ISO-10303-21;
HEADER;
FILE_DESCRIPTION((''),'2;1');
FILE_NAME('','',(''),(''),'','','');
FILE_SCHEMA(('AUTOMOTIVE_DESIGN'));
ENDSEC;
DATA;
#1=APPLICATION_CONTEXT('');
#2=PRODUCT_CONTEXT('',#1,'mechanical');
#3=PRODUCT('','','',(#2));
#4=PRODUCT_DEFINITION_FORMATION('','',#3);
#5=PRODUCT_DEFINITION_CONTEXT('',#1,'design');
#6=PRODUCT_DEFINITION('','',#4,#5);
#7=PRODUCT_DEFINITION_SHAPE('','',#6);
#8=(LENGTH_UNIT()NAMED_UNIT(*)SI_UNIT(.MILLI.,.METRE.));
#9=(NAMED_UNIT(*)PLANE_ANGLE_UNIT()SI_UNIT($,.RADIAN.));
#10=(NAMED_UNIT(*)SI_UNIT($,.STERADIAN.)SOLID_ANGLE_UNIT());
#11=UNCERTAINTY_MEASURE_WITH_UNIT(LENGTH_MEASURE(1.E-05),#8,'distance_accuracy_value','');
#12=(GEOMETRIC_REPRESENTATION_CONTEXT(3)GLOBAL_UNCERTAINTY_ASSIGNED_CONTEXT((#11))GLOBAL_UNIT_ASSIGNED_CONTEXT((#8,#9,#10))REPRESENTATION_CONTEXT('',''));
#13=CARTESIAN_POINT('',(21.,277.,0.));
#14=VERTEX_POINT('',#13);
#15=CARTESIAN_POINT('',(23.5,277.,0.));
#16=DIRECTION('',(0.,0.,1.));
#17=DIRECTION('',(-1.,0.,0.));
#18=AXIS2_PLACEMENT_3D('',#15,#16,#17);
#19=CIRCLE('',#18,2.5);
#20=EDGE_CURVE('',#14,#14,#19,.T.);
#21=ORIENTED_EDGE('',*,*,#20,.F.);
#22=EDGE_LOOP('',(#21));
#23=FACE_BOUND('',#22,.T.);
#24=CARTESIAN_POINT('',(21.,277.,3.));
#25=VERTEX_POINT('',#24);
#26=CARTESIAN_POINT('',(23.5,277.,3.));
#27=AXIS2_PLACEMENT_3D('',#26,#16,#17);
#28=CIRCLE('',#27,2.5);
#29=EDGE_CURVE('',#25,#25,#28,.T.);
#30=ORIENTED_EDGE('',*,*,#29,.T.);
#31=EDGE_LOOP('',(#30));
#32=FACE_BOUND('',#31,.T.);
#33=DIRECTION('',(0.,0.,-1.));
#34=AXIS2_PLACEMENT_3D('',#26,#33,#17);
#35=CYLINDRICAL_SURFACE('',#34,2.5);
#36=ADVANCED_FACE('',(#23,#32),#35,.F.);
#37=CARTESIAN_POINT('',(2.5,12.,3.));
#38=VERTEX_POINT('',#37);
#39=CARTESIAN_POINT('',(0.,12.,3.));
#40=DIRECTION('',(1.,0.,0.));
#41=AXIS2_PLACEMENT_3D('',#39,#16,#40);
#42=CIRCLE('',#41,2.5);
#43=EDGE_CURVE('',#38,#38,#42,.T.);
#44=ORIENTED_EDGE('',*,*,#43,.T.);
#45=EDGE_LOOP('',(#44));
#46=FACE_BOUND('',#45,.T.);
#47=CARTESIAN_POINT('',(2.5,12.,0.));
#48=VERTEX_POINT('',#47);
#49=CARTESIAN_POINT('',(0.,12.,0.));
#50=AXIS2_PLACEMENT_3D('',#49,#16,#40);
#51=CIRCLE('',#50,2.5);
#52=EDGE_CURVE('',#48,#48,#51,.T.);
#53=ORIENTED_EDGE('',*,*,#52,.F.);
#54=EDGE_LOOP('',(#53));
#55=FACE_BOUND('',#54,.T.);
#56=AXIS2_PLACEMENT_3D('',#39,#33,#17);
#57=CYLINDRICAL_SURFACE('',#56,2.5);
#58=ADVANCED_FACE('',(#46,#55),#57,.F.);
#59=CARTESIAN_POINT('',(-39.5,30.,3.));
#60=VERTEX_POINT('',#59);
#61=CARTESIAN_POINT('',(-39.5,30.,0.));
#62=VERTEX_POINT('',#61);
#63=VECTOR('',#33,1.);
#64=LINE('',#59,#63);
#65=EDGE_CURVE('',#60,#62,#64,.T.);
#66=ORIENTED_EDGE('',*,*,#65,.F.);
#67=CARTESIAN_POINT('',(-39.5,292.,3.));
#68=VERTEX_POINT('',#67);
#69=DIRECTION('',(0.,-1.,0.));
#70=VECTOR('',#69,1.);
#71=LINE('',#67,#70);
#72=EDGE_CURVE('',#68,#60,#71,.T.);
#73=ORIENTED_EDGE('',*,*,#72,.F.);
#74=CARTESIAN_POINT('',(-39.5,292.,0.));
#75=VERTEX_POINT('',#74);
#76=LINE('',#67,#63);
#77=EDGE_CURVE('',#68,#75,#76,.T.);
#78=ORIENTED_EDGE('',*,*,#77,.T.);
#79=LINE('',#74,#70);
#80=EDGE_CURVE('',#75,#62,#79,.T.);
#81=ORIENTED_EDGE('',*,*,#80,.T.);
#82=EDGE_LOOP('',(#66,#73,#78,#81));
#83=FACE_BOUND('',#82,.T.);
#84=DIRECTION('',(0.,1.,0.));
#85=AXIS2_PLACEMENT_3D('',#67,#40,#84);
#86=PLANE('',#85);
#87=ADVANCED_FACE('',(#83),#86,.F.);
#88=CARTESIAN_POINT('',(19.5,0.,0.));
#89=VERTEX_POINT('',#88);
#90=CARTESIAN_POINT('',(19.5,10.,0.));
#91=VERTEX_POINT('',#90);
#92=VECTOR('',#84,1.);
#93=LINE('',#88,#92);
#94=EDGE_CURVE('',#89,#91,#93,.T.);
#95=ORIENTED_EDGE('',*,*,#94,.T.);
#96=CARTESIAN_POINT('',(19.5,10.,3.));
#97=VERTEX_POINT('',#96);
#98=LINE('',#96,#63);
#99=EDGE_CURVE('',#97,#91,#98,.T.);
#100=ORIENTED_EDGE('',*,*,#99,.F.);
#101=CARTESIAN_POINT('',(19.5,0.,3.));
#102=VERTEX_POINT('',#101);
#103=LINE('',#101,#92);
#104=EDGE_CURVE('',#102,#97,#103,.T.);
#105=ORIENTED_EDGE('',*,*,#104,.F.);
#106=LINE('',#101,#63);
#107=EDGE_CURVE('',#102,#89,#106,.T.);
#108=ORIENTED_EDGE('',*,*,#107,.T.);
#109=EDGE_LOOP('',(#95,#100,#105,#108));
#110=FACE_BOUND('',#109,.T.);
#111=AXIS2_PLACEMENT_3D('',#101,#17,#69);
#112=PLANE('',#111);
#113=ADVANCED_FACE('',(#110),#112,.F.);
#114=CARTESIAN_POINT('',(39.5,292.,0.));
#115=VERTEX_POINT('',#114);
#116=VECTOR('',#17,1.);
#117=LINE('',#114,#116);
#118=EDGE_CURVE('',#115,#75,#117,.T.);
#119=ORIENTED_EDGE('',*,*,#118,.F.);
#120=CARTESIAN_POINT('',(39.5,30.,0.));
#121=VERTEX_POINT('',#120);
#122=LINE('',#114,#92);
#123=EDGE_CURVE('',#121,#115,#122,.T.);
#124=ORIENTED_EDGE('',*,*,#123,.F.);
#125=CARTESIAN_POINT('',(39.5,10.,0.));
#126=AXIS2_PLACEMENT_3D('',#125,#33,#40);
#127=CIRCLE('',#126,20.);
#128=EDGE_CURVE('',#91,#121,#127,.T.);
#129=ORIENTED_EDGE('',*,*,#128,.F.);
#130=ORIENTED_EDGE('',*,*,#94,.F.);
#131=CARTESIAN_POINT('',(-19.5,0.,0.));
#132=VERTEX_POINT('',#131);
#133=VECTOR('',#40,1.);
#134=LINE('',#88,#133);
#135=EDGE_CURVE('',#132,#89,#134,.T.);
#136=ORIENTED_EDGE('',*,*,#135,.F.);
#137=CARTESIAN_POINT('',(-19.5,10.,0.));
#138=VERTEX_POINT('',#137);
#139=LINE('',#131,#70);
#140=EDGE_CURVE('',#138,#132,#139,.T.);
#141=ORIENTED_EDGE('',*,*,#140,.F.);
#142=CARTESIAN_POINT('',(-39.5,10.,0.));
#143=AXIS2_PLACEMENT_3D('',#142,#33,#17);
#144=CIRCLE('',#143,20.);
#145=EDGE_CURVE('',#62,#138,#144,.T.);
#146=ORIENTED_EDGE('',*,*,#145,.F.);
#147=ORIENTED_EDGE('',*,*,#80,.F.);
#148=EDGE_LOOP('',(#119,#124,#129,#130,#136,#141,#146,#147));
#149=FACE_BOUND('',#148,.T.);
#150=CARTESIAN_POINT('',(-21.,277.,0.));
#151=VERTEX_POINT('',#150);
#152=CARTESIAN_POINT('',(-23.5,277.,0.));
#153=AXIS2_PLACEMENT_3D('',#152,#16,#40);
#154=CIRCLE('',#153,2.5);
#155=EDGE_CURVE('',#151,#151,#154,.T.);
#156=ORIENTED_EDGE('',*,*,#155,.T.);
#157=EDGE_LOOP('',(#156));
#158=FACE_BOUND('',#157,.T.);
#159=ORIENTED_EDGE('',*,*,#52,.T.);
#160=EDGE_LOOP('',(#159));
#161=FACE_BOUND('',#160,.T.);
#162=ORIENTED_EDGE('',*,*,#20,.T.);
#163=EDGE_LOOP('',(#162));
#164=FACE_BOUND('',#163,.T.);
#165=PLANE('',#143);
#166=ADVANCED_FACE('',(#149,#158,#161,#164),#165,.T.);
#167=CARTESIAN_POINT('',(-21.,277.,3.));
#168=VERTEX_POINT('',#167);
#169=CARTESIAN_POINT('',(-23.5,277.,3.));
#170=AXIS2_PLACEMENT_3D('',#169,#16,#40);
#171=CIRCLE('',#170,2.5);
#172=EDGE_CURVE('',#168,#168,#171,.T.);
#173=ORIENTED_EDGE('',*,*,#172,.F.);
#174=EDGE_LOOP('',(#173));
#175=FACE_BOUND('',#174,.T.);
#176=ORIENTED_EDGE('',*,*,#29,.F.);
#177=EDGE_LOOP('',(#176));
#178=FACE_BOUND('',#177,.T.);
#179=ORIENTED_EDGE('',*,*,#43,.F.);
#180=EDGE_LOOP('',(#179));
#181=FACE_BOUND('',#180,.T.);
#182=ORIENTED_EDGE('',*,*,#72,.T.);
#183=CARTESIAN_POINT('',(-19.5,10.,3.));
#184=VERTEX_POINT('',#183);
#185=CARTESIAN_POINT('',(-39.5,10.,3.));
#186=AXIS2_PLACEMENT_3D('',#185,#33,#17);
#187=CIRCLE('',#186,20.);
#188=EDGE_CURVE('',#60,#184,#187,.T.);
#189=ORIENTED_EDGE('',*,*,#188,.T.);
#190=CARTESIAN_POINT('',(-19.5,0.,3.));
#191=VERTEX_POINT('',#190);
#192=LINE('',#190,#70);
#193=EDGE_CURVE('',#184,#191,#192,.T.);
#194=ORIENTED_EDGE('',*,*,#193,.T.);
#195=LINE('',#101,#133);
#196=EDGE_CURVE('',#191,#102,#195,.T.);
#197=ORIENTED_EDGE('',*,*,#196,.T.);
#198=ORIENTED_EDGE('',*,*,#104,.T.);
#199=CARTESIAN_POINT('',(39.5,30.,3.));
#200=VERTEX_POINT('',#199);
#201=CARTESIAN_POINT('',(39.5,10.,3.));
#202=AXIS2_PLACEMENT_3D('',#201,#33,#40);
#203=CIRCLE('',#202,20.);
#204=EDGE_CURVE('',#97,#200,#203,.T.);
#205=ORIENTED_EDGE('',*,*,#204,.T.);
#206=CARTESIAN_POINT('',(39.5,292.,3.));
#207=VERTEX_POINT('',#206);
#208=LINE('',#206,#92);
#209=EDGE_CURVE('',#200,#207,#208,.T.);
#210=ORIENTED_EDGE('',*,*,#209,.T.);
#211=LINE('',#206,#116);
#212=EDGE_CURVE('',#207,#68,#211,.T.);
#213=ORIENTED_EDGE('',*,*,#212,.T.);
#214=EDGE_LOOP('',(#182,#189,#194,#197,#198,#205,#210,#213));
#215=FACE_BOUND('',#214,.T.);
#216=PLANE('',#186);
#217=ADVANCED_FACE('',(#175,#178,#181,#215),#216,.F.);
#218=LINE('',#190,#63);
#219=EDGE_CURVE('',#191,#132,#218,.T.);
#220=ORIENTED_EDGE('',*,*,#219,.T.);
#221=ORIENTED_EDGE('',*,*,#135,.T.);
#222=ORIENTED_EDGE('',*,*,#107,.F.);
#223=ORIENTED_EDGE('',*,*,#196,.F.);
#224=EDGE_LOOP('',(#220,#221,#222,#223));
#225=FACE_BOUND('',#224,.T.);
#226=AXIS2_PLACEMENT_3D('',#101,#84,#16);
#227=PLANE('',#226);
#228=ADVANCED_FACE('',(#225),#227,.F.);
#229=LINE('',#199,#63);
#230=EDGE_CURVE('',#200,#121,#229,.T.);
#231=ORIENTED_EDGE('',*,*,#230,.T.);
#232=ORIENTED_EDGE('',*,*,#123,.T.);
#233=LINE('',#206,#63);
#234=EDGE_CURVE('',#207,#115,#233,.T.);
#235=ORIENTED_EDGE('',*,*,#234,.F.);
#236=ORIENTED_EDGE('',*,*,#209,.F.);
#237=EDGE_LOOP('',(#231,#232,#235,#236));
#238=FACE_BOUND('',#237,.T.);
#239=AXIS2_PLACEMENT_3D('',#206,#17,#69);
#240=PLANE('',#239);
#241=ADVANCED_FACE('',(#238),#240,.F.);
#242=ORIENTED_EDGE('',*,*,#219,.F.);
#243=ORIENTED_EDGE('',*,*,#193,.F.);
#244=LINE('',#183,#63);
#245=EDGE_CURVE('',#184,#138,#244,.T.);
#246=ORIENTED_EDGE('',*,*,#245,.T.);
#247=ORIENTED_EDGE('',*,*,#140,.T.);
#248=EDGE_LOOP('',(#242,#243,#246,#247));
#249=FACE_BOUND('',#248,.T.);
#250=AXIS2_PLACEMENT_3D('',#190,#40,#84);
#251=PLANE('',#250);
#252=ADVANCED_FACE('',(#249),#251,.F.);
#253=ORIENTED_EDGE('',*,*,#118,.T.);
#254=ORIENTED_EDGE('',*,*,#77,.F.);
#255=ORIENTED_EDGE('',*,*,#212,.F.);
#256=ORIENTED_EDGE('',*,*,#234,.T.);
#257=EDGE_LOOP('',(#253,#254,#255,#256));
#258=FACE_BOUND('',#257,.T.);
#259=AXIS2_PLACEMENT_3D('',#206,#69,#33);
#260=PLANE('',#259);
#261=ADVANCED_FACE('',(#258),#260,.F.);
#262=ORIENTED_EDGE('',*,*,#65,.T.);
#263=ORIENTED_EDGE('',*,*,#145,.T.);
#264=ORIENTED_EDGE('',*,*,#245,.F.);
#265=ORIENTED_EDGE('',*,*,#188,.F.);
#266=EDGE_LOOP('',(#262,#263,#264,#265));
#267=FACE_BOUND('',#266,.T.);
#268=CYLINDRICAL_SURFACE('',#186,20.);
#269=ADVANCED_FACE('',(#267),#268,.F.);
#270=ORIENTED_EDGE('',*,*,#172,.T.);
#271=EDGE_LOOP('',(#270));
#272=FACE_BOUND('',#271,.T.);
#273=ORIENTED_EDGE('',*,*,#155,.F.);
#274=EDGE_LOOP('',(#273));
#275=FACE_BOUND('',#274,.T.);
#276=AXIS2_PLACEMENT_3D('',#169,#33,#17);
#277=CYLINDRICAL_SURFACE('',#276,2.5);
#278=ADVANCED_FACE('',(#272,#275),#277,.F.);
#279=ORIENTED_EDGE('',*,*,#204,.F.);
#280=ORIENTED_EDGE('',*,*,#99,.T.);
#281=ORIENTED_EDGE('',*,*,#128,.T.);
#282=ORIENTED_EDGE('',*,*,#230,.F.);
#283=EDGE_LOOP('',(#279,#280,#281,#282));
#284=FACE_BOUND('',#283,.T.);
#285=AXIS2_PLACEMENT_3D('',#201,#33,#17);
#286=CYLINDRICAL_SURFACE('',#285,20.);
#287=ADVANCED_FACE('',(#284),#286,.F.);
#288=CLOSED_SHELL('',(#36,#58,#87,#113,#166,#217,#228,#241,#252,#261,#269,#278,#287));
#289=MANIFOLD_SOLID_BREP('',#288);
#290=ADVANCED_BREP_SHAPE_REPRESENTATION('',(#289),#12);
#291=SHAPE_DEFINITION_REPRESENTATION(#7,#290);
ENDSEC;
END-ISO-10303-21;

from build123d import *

# Parameters (mm, degrees)
ESQUISSE1_R      = 2.5
EXTRUSION1_DEPTH = 3


with BuildPart() as part:
    # Esquisse1 → Extrusion1 (new body)
    with BuildSketch(Plane.XY):
        with BuildLine():
            Line((39.5, 292), (-39.5, 292))
            Line((-39.5, 292), (-39.5, 30))
            ThreePointArc((-39.5, 30), (-25.357864376, 24.142135624), (-19.5, 10))
            Line((-19.5, 10), (-19.5, 0))
            Line((-19.5, 0), (19.5, 0))
            Line((19.5, 0), (19.5, 10))
            ThreePointArc((19.5, 10), (25.357864376, 24.142135624), (39.5, 30))
            Line((39.5, 30), (39.5, 292))
        make_face()
        with Locations((-23.5, 277)):
            Circle(ESQUISSE1_R, mode=Mode.SUBTRACT)
        with Locations((23.5, 277)):
            Circle(ESQUISSE1_R, mode=Mode.SUBTRACT)
        with Locations((0, 12)):
            Circle(ESQUISSE1_R, mode=Mode.SUBTRACT)
    extrude(amount=EXTRUSION1_DEPTH)


solid = part.part
